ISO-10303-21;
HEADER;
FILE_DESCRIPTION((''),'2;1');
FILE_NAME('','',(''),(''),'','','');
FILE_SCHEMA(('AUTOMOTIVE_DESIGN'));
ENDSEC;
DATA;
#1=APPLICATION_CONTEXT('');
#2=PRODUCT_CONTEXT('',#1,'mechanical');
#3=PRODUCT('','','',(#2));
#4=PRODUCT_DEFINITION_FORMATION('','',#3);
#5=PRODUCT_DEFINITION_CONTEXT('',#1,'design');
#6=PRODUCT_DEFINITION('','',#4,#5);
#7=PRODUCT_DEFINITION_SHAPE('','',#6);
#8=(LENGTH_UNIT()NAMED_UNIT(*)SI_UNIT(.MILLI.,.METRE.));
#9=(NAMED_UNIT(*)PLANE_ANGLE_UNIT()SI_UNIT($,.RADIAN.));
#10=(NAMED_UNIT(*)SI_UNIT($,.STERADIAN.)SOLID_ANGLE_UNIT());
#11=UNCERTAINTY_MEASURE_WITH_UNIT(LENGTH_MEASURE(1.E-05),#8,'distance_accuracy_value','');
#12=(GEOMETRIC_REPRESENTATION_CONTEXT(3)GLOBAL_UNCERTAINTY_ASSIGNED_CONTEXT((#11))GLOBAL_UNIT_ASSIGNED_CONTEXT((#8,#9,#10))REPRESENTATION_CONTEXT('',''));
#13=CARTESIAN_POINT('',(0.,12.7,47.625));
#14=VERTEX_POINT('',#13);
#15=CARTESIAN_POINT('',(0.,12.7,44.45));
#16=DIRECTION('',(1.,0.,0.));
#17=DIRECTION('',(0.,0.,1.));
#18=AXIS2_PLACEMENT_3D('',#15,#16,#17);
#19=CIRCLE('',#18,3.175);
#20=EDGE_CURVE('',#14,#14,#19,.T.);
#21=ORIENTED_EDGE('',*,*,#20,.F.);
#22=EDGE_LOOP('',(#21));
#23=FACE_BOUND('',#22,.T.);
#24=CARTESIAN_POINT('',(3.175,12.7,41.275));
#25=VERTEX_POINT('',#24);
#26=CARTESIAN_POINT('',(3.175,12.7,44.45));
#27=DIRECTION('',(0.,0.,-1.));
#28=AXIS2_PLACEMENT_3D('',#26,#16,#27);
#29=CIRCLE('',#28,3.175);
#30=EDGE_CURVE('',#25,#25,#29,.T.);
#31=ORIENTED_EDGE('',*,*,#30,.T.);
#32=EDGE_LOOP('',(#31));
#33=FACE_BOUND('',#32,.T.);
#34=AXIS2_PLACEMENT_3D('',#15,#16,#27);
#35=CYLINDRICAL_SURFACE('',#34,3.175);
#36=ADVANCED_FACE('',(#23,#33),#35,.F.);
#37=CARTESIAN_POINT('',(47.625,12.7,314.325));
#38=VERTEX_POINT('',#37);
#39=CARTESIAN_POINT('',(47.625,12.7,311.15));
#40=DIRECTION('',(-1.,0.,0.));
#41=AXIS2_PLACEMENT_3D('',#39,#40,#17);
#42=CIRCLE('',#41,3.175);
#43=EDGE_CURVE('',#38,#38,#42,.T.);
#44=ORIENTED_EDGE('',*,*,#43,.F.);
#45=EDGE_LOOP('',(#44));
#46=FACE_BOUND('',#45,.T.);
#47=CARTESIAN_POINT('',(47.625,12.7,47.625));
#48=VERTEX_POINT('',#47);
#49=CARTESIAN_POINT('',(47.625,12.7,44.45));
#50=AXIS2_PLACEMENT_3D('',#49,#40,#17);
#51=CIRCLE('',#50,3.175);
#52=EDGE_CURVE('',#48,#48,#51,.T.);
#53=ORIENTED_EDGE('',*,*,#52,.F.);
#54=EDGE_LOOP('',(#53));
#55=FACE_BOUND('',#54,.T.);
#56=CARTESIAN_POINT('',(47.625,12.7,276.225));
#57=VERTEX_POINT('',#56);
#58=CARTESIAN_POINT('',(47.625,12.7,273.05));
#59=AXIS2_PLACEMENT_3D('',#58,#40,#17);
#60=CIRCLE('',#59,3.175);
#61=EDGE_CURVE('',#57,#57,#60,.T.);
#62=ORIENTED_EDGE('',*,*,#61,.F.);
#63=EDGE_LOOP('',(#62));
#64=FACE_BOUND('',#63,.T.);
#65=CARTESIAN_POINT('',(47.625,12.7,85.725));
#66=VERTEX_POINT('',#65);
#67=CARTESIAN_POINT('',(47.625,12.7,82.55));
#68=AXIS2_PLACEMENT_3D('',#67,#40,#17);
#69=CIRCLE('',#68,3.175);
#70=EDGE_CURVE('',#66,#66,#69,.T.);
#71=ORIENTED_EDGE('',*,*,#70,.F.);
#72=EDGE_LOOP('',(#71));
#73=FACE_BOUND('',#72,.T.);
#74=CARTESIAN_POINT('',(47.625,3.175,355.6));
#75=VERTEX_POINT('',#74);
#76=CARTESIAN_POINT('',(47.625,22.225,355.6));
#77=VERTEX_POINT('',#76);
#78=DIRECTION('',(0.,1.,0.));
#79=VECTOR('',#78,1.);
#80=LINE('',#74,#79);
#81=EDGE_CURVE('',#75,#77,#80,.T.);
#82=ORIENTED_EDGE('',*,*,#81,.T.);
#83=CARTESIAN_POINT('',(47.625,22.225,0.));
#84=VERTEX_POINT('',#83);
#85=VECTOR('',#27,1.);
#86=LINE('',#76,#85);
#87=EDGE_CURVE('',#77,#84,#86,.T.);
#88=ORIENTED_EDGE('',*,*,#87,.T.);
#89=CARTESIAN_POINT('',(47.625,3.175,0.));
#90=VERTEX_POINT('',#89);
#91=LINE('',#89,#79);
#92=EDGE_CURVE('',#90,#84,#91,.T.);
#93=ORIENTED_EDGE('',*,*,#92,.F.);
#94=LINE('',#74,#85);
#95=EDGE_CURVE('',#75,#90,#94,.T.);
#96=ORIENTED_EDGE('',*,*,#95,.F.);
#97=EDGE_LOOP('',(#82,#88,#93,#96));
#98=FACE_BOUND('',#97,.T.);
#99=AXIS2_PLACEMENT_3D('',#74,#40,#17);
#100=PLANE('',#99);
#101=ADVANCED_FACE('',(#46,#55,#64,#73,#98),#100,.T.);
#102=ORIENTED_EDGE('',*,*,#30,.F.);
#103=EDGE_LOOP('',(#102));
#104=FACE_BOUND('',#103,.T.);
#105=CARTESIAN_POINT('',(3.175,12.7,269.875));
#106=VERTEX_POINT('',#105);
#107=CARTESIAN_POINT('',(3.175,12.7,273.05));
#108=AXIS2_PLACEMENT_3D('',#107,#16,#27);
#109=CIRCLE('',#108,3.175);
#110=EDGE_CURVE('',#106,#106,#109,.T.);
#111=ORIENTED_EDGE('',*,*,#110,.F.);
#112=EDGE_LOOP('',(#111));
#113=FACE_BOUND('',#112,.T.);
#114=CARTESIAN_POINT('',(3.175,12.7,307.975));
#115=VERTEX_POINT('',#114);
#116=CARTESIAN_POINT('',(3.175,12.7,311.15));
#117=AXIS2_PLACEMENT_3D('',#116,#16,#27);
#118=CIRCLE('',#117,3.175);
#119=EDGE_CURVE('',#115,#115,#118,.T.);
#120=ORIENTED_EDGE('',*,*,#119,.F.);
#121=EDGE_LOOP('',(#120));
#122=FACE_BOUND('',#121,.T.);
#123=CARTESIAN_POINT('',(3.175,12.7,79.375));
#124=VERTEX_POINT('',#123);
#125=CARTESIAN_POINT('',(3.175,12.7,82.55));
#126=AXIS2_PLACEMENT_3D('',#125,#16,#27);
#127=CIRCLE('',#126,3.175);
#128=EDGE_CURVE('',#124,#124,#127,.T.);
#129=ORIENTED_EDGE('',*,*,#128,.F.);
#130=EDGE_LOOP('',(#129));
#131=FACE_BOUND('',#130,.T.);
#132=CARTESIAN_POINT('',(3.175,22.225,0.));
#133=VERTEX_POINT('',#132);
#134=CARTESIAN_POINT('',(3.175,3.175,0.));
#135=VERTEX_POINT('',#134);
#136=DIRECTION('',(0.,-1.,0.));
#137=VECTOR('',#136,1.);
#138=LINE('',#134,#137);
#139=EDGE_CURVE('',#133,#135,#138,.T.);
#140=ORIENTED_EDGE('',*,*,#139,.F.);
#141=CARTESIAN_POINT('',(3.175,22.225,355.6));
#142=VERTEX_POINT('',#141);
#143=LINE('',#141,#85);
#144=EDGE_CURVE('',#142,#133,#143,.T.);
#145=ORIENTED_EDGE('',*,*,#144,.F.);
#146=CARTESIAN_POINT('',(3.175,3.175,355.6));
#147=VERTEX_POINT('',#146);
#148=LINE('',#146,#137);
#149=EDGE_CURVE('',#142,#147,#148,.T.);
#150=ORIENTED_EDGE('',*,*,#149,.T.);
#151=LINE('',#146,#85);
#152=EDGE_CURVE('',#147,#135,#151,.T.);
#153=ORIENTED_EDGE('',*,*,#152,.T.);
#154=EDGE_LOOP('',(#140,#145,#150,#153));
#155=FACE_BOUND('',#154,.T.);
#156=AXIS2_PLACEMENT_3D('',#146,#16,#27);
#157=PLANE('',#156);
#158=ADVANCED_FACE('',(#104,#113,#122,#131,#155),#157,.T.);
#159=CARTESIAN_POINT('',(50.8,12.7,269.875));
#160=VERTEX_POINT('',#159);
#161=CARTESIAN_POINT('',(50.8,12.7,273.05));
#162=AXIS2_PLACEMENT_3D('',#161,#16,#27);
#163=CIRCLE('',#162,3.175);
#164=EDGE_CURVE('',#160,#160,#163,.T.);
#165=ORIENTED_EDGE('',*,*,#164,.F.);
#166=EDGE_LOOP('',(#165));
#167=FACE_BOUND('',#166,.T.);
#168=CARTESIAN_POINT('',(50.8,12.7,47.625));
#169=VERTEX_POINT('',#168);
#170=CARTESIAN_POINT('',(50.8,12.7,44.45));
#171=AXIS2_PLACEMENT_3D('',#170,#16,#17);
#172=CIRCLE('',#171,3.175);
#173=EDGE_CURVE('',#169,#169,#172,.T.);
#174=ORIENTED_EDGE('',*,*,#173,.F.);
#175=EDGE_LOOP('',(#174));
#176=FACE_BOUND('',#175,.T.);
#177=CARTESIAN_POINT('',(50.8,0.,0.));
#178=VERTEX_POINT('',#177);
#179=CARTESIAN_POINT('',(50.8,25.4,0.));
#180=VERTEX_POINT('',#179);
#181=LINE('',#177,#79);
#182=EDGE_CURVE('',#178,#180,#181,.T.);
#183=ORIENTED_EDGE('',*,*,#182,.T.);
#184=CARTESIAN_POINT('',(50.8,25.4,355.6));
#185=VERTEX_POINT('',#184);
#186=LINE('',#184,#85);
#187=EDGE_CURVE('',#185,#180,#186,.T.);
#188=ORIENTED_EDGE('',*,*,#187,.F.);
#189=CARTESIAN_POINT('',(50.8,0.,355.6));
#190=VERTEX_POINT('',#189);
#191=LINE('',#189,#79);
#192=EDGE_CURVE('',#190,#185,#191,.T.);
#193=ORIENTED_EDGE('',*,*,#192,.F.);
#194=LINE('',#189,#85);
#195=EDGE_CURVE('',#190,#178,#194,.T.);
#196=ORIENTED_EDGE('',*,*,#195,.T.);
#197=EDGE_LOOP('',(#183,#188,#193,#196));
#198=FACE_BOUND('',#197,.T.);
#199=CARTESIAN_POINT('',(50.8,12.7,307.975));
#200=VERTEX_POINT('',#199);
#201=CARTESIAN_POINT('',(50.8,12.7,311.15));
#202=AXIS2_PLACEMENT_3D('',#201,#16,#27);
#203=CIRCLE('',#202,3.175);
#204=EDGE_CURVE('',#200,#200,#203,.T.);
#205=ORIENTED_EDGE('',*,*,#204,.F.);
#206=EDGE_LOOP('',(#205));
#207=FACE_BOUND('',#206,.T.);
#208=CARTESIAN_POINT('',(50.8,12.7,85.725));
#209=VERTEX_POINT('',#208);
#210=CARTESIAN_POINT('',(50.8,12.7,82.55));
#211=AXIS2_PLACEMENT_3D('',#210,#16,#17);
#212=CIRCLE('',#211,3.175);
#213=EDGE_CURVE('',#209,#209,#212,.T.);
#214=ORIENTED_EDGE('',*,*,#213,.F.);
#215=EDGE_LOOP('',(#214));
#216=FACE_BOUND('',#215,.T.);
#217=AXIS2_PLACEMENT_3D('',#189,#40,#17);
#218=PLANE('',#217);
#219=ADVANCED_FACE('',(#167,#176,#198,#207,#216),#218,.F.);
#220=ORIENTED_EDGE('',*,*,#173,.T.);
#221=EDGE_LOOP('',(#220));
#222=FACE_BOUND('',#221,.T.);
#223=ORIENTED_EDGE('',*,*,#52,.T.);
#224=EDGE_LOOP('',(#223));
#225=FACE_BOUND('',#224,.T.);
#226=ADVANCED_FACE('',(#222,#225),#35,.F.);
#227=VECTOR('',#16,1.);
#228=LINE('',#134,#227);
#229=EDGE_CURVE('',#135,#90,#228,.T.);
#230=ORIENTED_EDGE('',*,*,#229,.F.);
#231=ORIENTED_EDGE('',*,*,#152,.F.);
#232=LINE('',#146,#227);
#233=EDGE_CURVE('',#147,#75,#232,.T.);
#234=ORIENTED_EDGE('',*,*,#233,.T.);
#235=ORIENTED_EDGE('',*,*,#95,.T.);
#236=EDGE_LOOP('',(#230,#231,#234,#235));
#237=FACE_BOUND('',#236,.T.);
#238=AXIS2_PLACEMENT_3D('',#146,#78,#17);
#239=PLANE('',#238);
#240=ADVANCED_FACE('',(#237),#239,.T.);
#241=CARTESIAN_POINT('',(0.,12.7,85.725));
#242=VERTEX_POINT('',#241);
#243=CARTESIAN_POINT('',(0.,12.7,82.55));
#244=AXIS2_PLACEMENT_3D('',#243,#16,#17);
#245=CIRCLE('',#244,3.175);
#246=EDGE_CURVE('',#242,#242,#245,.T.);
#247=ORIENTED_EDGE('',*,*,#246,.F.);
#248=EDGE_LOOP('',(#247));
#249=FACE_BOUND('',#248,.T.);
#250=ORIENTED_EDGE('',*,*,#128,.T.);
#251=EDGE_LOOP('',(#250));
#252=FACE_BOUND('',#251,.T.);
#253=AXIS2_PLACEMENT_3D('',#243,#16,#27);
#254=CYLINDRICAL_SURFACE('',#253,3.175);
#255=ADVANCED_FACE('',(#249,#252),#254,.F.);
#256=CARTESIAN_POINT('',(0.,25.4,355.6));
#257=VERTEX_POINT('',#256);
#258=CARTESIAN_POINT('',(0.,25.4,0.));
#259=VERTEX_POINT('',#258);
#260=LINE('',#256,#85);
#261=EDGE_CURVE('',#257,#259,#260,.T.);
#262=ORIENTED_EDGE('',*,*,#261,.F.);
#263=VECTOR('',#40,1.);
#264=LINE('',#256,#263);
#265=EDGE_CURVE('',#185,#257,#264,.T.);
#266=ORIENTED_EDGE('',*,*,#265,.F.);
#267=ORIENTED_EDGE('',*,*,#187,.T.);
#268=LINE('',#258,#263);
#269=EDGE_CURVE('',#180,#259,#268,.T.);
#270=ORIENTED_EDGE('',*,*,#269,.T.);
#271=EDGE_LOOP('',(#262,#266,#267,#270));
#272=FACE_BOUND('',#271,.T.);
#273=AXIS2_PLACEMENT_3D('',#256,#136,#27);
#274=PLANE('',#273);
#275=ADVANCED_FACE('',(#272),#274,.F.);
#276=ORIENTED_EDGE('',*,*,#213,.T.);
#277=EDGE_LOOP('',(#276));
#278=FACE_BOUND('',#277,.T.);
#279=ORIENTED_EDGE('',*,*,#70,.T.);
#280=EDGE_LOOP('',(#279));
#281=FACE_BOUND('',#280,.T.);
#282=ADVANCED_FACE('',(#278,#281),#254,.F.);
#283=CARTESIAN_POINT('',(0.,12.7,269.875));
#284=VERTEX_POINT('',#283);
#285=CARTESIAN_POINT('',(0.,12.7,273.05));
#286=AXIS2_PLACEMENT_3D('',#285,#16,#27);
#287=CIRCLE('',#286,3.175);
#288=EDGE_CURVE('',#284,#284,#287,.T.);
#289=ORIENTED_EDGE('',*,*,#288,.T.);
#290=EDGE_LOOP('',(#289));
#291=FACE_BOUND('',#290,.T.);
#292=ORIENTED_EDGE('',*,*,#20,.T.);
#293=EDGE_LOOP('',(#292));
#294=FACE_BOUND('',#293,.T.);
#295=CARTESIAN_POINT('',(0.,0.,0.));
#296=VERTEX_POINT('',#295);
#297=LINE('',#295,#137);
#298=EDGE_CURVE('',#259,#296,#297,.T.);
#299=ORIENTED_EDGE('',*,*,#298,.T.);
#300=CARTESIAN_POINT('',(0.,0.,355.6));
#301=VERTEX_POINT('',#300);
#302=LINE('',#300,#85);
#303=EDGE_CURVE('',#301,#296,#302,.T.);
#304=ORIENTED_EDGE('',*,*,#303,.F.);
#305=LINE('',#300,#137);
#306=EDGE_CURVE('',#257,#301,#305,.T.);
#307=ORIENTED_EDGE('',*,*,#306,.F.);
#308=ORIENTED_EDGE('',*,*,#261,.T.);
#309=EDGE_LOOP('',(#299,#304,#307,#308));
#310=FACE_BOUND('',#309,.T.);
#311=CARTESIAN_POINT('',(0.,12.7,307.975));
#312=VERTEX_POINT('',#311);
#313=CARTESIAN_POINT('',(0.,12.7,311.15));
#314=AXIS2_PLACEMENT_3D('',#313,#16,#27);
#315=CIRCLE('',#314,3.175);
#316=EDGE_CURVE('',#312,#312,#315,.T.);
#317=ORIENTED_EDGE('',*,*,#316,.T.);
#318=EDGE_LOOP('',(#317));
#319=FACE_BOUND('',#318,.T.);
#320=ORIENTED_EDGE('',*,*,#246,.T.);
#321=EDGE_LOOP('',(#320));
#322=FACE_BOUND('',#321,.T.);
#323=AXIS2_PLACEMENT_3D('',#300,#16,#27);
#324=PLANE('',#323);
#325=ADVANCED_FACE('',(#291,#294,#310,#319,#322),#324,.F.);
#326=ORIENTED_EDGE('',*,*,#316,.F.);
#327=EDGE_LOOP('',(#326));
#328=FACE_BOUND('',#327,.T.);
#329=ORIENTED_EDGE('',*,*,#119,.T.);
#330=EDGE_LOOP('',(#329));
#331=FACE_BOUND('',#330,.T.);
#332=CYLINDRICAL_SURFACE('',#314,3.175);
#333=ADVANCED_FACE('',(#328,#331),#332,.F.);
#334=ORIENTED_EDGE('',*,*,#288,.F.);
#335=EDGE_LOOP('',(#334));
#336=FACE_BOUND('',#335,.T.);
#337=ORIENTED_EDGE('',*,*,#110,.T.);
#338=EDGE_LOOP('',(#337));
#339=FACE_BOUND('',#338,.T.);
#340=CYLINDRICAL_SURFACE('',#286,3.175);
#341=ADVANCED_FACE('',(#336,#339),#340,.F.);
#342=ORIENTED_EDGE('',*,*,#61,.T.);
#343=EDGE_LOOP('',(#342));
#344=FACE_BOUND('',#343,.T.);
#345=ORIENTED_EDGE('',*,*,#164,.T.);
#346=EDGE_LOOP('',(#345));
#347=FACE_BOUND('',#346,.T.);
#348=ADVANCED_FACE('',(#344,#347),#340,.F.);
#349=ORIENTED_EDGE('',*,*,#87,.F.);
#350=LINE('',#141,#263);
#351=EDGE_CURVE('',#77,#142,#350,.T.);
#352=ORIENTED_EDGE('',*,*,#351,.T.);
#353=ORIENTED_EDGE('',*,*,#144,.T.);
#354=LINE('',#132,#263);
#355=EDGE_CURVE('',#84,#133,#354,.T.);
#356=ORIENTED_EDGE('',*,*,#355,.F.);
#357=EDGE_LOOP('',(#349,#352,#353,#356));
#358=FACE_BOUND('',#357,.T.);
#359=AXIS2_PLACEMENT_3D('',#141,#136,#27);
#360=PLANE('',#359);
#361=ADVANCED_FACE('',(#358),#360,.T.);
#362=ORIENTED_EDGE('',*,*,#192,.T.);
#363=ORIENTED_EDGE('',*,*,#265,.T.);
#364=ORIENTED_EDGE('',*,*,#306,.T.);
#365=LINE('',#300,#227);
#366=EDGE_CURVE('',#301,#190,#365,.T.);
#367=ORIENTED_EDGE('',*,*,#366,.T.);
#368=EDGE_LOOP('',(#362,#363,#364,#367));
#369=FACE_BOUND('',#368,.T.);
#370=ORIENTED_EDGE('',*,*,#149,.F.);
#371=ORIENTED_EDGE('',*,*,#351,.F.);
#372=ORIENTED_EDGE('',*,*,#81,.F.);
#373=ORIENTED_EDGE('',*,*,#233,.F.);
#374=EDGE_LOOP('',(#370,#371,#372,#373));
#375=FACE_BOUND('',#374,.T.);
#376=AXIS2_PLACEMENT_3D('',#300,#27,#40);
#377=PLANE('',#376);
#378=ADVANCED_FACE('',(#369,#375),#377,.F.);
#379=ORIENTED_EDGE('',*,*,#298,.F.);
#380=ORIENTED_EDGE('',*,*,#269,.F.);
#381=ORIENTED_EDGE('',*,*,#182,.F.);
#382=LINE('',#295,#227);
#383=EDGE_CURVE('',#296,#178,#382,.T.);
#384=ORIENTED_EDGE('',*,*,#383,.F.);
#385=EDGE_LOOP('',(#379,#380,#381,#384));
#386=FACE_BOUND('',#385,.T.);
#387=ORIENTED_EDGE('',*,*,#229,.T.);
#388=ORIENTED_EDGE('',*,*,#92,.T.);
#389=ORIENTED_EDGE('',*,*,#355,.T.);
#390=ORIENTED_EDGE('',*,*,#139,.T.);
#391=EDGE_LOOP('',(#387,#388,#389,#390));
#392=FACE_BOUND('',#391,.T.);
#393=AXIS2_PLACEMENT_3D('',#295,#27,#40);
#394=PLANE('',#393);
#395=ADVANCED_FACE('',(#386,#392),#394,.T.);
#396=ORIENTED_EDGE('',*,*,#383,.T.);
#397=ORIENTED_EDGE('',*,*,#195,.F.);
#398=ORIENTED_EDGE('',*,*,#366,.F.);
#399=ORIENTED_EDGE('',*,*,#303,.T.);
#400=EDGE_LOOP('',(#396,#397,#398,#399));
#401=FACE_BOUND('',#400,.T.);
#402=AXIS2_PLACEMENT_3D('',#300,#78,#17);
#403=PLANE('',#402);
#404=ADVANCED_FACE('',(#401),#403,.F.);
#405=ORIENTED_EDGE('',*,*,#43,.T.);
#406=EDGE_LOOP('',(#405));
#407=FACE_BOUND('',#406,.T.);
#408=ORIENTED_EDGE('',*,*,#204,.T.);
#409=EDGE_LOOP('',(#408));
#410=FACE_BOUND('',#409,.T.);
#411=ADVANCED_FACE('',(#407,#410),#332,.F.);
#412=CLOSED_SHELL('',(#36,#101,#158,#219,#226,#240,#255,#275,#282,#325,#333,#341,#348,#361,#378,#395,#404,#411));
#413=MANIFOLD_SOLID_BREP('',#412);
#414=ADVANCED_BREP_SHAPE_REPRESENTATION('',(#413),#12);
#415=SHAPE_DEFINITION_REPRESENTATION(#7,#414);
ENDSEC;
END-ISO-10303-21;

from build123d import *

# Parameters (mm, degrees)
SKETCH1_W               = 50.8
SKETCH1_H               = 25.4
SKETCH1_W_2             = 44.45
SKETCH1_H_2             = 19.05
BOSS_EXTRUDE1_DEPTH     = 355.6
CUT_EXTRUDE1_DEPTH      = 361.10715072
CUT_EXTRUDE1_DEPTH_BACK = 361.10715072
SKETCH2_R               = 3.175


with BuildPart() as part:
    # Sketch1 → Boss-Extrude1 (new body)
    with BuildSketch(Plane.XY):
        with Locations((25.4, 12.7)):
            Rectangle(SKETCH1_W, SKETCH1_H)
        with Locations((25.4, 12.7)):
            Rectangle(SKETCH1_W_2, SKETCH1_H_2, mode=Mode.SUBTRACT)
    extrude(amount=BOSS_EXTRUDE1_DEPTH)

    # Sketch2 → Cut-Extrude1 (cut, two sides: drawn at the far end of the back side and taken through both)
    with BuildSketch(Plane(origin=(50.8, 0, 0), x_dir=(0, 0, -1), z_dir=(1, 0, 0)).offset(-CUT_EXTRUDE1_DEPTH_BACK)):
        with Locations((-273.05, 12.7)):
            Circle(SKETCH2_R)
        with Locations((-311.15, 12.7)):
            Circle(SKETCH2_R)
        with Locations(Location((-44.45, 12.7, 0), (0, 0, 180))):
            Circle(SKETCH2_R)
        with Locations(Location((-82.55, 12.7, 0), (0, 0, 180))):
            Circle(SKETCH2_R)
    extrude(amount=CUT_EXTRUDE1_DEPTH + CUT_EXTRUDE1_DEPTH_BACK, mode=Mode.SUBTRACT)


solid = part.part
